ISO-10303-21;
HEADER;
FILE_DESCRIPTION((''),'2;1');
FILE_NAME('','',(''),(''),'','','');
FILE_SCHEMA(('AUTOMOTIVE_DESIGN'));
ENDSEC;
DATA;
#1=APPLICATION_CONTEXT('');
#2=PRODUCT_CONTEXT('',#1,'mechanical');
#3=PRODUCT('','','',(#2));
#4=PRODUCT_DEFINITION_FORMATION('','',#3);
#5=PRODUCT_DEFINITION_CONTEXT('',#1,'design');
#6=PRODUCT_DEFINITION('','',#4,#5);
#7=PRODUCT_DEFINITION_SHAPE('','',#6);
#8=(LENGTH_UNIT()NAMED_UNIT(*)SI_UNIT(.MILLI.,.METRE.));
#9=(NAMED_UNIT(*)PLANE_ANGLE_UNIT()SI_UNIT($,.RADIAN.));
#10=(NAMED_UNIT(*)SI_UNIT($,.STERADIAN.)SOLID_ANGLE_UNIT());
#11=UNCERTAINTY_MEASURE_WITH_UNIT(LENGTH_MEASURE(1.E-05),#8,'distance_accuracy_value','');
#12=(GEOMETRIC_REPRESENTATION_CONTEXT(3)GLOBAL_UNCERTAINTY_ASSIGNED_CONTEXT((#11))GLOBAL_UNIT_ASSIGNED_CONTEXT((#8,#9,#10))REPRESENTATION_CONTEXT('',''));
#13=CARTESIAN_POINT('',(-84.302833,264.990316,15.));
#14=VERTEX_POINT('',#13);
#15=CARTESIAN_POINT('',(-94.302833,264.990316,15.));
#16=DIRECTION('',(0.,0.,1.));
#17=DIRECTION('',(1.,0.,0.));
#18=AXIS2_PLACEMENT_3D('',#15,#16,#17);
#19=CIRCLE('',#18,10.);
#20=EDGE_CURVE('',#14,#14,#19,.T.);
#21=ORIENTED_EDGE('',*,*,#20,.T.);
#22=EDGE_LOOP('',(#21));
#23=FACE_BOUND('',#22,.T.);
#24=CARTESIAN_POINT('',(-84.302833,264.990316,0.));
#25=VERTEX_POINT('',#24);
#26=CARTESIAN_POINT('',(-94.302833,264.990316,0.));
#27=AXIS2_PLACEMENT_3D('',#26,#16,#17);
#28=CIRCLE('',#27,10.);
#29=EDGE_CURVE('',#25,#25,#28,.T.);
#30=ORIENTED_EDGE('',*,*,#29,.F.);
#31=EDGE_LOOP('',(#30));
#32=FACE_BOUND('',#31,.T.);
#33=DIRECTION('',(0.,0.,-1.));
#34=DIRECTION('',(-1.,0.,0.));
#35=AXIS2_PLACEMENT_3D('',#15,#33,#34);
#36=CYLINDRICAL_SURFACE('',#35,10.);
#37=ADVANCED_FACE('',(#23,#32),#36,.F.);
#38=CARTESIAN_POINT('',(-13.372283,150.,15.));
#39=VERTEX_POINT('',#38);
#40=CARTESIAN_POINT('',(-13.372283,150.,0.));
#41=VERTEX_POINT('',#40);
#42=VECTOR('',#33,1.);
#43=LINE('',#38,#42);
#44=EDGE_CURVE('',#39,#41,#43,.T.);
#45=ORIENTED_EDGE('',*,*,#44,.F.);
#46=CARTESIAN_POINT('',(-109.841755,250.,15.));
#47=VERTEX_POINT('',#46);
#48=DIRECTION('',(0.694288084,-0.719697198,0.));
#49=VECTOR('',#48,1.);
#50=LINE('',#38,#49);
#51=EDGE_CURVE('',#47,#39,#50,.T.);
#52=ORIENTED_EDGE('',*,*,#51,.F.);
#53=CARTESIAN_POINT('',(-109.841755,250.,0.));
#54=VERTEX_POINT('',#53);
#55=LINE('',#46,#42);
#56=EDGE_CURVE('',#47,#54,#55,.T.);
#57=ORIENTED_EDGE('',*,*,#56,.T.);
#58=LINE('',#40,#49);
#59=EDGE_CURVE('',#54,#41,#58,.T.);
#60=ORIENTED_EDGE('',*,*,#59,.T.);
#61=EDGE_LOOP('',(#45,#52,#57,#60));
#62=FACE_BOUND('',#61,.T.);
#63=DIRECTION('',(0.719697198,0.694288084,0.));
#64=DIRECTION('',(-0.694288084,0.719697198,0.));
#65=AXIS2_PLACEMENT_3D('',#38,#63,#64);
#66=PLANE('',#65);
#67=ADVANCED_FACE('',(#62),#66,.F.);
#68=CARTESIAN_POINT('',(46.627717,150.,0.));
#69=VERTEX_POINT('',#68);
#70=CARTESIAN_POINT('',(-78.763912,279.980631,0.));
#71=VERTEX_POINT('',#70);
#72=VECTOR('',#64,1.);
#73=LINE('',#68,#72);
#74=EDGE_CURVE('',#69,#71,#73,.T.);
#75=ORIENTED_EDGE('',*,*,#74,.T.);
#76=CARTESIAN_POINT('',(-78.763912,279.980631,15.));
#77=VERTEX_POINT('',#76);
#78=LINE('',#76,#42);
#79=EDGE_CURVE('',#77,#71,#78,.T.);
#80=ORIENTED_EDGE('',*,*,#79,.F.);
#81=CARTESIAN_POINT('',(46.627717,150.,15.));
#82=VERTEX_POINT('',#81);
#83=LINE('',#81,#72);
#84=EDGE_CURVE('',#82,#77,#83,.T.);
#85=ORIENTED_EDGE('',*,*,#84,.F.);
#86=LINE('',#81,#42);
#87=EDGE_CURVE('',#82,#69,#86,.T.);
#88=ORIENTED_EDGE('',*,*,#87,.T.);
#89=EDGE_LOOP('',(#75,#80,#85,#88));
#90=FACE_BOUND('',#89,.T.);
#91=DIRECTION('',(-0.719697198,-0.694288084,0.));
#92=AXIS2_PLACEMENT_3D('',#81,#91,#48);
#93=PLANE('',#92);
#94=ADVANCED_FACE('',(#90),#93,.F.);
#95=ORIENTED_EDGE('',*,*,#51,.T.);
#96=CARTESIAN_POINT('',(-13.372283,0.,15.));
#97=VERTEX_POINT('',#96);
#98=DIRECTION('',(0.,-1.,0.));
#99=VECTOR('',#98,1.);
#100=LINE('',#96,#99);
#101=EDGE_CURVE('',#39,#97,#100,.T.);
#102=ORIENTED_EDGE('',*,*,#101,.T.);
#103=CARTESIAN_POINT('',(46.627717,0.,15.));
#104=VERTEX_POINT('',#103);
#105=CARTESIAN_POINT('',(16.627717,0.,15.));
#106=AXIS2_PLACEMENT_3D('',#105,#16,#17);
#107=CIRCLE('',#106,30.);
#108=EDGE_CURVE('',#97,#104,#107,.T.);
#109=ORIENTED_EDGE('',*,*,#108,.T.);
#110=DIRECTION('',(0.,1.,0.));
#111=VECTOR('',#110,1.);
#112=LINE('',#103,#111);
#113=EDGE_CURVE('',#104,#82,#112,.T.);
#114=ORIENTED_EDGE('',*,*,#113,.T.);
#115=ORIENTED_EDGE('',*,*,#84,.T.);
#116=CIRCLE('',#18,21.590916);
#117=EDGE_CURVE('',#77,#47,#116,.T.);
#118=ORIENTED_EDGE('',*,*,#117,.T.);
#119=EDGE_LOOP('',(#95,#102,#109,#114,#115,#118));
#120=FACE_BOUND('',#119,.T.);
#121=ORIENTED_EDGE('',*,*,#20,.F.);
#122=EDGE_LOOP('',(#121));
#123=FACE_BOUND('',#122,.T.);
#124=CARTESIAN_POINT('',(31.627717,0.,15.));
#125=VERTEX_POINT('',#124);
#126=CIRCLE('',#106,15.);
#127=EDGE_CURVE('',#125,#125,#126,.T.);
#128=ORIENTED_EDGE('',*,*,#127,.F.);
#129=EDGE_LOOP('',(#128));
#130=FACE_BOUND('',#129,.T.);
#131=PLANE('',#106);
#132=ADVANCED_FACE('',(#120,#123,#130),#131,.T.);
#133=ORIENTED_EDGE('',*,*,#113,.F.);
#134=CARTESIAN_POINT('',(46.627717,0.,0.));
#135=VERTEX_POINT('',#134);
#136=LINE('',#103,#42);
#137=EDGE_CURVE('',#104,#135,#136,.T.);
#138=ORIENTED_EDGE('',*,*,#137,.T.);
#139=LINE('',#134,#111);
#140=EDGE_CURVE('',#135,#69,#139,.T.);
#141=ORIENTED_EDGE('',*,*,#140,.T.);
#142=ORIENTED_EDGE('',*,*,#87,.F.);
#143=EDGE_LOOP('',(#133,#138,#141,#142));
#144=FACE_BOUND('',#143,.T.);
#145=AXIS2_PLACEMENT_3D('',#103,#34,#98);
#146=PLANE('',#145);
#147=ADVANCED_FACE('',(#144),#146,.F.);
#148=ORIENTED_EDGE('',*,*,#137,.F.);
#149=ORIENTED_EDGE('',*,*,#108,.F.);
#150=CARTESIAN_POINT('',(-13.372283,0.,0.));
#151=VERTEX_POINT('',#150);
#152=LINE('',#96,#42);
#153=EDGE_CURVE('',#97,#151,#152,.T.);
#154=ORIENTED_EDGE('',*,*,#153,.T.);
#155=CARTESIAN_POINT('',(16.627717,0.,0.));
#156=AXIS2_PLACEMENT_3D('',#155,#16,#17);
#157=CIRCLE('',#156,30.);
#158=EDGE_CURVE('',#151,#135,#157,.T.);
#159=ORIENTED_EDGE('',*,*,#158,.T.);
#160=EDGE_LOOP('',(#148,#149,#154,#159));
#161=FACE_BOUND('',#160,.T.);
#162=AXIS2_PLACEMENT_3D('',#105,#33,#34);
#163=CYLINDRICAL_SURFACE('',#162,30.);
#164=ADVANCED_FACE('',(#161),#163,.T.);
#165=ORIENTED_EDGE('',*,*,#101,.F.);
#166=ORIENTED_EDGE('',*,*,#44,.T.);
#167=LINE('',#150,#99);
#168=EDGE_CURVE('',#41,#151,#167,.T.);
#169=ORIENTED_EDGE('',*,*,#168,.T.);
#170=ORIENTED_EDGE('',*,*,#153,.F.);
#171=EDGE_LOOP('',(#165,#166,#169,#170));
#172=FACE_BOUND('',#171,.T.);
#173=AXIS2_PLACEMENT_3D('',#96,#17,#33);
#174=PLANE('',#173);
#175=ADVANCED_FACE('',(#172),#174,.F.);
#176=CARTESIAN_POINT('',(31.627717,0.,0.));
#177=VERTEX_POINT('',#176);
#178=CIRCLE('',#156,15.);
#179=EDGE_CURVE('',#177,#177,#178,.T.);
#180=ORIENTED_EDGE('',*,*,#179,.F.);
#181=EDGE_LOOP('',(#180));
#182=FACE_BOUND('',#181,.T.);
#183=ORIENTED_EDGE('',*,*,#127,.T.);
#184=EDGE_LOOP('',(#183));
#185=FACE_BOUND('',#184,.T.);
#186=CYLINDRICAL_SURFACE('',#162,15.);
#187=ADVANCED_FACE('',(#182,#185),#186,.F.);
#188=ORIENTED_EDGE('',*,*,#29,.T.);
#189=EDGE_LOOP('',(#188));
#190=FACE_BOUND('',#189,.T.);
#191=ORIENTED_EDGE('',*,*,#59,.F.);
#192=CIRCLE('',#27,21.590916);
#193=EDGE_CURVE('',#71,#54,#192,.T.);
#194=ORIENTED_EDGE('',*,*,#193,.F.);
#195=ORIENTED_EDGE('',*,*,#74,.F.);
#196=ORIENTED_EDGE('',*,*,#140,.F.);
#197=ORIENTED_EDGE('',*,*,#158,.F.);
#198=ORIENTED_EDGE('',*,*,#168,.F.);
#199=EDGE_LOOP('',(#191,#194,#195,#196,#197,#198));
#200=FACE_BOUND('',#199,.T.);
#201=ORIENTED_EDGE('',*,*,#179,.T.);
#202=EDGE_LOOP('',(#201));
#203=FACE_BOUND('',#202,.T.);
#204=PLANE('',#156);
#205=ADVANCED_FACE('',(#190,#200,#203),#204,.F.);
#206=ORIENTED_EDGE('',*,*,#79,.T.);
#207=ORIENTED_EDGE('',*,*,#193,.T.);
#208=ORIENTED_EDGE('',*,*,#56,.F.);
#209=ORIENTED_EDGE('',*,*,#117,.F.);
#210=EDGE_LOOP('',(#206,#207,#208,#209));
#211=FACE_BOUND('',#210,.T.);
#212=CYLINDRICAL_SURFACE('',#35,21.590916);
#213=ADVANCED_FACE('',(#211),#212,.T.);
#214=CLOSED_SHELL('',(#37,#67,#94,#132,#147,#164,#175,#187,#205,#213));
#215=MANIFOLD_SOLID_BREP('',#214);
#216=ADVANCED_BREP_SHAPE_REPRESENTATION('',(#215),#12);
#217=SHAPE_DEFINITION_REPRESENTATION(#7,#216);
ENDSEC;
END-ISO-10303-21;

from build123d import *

# Parameters (mm, degrees)
SKETCH_1_R      = 15
SKETCH_1_R_2    = 10
EXTRUDE_1_DEPTH = 15


with BuildPart() as part:
    # 草图1 → 凸台-拉伸1 (new body)
    with BuildSketch(Plane.XY):
        with BuildLine():
            Line((-13.372283418, 0), (-13.372283418, 150))
            Line((-13.372283418, 150), (-109.841754926, 250))
            ThreePointArc((-109.841754926, 250), (-109.293148867, 280.529237365), (-78.763911502, 279.980631307))
            Line((-78.763911502, 279.980631307), (46.627716582, 150))
            Line((46.627716582, 150), (46.627716582, 0))
            ThreePointArc((46.627716582, 0), (16.627716582, -30), (-13.372283418, 0))
        make_face()
        with Locations((16.627716582, 0)):
            Circle(SKETCH_1_R, mode=Mode.SUBTRACT)
        with Locations((-94.302833214, 264.990315653)):
            Circle(SKETCH_1_R_2, mode=Mode.SUBTRACT)
    extrude(amount=EXTRUDE_1_DEPTH)


solid = part.part
